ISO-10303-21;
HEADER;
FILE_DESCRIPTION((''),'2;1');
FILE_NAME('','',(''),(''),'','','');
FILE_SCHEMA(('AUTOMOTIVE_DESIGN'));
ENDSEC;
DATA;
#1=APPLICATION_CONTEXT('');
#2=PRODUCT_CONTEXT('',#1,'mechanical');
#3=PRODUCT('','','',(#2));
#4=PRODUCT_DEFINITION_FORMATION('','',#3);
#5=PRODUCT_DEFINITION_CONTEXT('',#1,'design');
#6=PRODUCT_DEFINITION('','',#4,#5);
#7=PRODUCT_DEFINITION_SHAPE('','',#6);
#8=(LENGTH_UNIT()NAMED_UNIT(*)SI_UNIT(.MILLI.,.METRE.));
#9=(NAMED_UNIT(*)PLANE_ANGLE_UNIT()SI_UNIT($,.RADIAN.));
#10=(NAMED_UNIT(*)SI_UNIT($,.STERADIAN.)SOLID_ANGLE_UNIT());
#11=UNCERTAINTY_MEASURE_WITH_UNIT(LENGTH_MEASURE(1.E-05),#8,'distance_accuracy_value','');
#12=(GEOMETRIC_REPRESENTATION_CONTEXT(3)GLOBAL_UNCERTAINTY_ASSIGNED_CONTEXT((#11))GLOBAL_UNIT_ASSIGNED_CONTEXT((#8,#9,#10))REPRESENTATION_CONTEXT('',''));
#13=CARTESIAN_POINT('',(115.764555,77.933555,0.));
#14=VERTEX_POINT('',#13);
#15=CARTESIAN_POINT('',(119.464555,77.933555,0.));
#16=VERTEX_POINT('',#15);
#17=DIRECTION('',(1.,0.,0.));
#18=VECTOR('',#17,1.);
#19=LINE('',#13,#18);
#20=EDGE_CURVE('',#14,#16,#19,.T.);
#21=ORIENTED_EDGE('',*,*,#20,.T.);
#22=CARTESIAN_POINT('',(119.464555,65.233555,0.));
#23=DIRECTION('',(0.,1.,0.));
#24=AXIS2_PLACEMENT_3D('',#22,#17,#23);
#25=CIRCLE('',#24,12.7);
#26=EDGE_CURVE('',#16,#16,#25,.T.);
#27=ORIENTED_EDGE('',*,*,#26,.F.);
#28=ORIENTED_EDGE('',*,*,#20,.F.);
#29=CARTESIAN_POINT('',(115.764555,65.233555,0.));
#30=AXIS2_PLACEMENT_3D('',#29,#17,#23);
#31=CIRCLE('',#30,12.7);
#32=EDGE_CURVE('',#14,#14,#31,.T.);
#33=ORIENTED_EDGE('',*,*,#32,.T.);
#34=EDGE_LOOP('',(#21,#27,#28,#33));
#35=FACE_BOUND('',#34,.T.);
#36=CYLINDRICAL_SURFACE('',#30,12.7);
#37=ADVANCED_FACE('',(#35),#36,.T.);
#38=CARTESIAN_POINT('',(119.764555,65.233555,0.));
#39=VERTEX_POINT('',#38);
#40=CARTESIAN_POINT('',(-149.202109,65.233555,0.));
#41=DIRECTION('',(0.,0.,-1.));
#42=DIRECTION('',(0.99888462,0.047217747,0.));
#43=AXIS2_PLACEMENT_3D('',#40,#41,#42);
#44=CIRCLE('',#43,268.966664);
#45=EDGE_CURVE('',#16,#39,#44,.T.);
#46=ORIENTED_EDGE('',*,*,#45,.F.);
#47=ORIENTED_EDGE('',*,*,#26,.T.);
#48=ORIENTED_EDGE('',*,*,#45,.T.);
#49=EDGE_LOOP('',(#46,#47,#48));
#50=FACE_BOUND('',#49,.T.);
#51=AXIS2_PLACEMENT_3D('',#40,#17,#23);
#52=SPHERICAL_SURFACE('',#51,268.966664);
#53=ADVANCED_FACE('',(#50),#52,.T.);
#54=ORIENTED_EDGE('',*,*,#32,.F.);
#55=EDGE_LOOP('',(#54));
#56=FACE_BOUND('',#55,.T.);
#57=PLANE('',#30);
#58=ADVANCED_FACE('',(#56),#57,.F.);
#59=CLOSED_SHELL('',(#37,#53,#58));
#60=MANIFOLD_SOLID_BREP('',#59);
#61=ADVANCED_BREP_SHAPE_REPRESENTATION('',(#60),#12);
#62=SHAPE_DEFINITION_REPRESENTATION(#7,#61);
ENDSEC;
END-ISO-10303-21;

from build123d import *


with BuildPart() as part:
    # 草图1 → 旋转1 (revolve)
    with BuildSketch(Plane.XY):
        with BuildLine():
            Line((115.764555476, 65.233554926), (115.764555476, 77.933554926))
            Line((115.764555476, 77.933554926), (119.464555476, 77.933554926))
            ThreePointArc((119.464555476, 77.933554926), (119.689545017, 71.585326333), (119.764555476, 65.233554926))
            Line((119.764555476, 65.233554926), (115.764555476, 65.233554926))
        make_face()
    revolve(axis=Axis((110.165373228, 65.233554926, 0), (1, 0, 0)))


solid = part.part
